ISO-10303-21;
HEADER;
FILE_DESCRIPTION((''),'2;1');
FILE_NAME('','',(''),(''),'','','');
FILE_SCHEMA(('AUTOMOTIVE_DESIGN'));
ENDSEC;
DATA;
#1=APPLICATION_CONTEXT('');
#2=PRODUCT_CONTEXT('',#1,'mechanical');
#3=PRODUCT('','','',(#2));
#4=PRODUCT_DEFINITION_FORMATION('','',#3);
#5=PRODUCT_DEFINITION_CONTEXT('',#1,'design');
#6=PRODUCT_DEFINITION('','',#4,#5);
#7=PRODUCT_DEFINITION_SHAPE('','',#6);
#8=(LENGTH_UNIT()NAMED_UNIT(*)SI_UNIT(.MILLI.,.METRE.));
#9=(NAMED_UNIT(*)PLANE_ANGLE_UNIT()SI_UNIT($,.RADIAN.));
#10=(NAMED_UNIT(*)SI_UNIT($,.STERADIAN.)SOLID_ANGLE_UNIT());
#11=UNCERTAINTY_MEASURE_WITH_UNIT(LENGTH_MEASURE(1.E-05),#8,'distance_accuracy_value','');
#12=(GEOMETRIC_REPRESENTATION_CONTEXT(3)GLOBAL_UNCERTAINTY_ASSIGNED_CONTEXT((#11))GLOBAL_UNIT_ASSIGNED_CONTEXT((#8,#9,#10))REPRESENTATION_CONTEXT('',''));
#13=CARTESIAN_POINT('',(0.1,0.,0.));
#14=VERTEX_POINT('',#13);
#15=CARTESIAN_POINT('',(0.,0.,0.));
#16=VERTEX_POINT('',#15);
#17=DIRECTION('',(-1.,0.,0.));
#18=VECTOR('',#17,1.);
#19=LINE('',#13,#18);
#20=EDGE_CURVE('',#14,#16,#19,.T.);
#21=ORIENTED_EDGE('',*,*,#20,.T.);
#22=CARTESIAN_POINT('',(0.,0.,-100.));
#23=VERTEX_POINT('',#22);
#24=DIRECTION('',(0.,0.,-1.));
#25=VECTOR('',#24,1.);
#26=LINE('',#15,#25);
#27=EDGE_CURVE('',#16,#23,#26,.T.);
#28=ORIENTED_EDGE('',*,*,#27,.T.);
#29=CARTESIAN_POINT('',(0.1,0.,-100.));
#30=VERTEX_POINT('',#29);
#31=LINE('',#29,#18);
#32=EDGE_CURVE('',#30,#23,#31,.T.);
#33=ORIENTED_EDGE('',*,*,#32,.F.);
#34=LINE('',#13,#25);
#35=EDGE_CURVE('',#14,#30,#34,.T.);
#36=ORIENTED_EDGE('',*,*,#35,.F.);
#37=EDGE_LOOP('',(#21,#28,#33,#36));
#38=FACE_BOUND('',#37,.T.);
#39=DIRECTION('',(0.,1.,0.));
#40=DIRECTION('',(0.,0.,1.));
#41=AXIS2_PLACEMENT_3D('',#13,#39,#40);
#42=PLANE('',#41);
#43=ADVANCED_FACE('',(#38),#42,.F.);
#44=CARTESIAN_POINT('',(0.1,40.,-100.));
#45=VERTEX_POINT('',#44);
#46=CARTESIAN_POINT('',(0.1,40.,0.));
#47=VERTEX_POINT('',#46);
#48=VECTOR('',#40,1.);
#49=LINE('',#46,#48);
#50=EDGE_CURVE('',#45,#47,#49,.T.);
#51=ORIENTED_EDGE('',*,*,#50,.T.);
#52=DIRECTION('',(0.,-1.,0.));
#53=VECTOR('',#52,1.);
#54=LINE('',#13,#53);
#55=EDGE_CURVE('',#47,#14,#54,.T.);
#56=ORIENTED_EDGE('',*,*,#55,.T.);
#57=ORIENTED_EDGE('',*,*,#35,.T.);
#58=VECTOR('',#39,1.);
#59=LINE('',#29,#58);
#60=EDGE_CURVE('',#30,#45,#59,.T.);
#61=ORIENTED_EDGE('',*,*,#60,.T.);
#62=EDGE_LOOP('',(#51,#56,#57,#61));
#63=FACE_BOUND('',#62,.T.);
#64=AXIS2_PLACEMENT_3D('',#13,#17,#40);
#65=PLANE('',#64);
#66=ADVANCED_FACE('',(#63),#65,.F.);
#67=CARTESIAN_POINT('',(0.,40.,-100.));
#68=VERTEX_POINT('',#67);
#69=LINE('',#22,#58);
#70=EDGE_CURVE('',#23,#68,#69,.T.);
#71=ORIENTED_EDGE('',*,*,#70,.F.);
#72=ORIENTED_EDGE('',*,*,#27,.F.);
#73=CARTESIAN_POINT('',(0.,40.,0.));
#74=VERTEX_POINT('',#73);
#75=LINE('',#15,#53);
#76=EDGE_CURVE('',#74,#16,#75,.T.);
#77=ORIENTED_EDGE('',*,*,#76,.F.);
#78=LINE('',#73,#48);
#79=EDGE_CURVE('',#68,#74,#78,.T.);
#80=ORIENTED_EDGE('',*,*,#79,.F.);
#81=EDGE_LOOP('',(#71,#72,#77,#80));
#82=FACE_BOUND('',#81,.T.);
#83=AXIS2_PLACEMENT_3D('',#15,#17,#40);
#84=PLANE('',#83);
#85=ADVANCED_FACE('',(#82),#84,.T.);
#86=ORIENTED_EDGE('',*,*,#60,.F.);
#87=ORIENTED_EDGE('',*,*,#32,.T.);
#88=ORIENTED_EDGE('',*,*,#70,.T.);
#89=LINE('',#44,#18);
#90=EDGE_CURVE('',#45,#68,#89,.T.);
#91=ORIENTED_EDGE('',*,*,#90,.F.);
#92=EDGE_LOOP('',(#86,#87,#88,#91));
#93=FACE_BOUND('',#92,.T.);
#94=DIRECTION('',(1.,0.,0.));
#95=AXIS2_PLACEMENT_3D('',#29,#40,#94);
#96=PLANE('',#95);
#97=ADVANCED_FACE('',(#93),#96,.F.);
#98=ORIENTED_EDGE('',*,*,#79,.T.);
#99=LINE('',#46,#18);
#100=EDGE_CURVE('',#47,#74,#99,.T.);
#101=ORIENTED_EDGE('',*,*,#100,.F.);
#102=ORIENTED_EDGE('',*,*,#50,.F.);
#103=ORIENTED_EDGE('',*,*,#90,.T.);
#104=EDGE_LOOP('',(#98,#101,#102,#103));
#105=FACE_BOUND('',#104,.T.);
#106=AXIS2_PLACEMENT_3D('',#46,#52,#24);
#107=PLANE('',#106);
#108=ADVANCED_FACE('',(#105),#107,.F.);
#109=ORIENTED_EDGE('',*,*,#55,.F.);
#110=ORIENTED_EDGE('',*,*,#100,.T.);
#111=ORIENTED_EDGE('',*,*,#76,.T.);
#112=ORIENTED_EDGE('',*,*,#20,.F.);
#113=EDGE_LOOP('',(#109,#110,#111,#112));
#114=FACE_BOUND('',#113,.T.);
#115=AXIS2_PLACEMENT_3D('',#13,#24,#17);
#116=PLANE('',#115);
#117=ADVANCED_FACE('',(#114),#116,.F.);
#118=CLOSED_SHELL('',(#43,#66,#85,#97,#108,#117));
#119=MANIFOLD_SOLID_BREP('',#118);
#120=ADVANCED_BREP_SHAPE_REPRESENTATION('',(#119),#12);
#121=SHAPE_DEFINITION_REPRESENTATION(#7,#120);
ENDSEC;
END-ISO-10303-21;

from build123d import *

# Parameters (mm, degrees)
CROQUIS1_W              = 100
CROQUIS1_H              = 40
SALIENTE_EXTRUIR1_DEPTH = 0.1


with BuildPart() as part:
    # Croquis1 → Saliente-Extruir1 (new body)
    with BuildSketch(Plane(origin=(0, 0, 0), x_dir=(0, 0, -1), z_dir=(1, 0, 0))):
        with Locations((50, 20)):
            Rectangle(CROQUIS1_W, CROQUIS1_H)
    extrude(amount=SALIENTE_EXTRUIR1_DEPTH)


solid = part.part
